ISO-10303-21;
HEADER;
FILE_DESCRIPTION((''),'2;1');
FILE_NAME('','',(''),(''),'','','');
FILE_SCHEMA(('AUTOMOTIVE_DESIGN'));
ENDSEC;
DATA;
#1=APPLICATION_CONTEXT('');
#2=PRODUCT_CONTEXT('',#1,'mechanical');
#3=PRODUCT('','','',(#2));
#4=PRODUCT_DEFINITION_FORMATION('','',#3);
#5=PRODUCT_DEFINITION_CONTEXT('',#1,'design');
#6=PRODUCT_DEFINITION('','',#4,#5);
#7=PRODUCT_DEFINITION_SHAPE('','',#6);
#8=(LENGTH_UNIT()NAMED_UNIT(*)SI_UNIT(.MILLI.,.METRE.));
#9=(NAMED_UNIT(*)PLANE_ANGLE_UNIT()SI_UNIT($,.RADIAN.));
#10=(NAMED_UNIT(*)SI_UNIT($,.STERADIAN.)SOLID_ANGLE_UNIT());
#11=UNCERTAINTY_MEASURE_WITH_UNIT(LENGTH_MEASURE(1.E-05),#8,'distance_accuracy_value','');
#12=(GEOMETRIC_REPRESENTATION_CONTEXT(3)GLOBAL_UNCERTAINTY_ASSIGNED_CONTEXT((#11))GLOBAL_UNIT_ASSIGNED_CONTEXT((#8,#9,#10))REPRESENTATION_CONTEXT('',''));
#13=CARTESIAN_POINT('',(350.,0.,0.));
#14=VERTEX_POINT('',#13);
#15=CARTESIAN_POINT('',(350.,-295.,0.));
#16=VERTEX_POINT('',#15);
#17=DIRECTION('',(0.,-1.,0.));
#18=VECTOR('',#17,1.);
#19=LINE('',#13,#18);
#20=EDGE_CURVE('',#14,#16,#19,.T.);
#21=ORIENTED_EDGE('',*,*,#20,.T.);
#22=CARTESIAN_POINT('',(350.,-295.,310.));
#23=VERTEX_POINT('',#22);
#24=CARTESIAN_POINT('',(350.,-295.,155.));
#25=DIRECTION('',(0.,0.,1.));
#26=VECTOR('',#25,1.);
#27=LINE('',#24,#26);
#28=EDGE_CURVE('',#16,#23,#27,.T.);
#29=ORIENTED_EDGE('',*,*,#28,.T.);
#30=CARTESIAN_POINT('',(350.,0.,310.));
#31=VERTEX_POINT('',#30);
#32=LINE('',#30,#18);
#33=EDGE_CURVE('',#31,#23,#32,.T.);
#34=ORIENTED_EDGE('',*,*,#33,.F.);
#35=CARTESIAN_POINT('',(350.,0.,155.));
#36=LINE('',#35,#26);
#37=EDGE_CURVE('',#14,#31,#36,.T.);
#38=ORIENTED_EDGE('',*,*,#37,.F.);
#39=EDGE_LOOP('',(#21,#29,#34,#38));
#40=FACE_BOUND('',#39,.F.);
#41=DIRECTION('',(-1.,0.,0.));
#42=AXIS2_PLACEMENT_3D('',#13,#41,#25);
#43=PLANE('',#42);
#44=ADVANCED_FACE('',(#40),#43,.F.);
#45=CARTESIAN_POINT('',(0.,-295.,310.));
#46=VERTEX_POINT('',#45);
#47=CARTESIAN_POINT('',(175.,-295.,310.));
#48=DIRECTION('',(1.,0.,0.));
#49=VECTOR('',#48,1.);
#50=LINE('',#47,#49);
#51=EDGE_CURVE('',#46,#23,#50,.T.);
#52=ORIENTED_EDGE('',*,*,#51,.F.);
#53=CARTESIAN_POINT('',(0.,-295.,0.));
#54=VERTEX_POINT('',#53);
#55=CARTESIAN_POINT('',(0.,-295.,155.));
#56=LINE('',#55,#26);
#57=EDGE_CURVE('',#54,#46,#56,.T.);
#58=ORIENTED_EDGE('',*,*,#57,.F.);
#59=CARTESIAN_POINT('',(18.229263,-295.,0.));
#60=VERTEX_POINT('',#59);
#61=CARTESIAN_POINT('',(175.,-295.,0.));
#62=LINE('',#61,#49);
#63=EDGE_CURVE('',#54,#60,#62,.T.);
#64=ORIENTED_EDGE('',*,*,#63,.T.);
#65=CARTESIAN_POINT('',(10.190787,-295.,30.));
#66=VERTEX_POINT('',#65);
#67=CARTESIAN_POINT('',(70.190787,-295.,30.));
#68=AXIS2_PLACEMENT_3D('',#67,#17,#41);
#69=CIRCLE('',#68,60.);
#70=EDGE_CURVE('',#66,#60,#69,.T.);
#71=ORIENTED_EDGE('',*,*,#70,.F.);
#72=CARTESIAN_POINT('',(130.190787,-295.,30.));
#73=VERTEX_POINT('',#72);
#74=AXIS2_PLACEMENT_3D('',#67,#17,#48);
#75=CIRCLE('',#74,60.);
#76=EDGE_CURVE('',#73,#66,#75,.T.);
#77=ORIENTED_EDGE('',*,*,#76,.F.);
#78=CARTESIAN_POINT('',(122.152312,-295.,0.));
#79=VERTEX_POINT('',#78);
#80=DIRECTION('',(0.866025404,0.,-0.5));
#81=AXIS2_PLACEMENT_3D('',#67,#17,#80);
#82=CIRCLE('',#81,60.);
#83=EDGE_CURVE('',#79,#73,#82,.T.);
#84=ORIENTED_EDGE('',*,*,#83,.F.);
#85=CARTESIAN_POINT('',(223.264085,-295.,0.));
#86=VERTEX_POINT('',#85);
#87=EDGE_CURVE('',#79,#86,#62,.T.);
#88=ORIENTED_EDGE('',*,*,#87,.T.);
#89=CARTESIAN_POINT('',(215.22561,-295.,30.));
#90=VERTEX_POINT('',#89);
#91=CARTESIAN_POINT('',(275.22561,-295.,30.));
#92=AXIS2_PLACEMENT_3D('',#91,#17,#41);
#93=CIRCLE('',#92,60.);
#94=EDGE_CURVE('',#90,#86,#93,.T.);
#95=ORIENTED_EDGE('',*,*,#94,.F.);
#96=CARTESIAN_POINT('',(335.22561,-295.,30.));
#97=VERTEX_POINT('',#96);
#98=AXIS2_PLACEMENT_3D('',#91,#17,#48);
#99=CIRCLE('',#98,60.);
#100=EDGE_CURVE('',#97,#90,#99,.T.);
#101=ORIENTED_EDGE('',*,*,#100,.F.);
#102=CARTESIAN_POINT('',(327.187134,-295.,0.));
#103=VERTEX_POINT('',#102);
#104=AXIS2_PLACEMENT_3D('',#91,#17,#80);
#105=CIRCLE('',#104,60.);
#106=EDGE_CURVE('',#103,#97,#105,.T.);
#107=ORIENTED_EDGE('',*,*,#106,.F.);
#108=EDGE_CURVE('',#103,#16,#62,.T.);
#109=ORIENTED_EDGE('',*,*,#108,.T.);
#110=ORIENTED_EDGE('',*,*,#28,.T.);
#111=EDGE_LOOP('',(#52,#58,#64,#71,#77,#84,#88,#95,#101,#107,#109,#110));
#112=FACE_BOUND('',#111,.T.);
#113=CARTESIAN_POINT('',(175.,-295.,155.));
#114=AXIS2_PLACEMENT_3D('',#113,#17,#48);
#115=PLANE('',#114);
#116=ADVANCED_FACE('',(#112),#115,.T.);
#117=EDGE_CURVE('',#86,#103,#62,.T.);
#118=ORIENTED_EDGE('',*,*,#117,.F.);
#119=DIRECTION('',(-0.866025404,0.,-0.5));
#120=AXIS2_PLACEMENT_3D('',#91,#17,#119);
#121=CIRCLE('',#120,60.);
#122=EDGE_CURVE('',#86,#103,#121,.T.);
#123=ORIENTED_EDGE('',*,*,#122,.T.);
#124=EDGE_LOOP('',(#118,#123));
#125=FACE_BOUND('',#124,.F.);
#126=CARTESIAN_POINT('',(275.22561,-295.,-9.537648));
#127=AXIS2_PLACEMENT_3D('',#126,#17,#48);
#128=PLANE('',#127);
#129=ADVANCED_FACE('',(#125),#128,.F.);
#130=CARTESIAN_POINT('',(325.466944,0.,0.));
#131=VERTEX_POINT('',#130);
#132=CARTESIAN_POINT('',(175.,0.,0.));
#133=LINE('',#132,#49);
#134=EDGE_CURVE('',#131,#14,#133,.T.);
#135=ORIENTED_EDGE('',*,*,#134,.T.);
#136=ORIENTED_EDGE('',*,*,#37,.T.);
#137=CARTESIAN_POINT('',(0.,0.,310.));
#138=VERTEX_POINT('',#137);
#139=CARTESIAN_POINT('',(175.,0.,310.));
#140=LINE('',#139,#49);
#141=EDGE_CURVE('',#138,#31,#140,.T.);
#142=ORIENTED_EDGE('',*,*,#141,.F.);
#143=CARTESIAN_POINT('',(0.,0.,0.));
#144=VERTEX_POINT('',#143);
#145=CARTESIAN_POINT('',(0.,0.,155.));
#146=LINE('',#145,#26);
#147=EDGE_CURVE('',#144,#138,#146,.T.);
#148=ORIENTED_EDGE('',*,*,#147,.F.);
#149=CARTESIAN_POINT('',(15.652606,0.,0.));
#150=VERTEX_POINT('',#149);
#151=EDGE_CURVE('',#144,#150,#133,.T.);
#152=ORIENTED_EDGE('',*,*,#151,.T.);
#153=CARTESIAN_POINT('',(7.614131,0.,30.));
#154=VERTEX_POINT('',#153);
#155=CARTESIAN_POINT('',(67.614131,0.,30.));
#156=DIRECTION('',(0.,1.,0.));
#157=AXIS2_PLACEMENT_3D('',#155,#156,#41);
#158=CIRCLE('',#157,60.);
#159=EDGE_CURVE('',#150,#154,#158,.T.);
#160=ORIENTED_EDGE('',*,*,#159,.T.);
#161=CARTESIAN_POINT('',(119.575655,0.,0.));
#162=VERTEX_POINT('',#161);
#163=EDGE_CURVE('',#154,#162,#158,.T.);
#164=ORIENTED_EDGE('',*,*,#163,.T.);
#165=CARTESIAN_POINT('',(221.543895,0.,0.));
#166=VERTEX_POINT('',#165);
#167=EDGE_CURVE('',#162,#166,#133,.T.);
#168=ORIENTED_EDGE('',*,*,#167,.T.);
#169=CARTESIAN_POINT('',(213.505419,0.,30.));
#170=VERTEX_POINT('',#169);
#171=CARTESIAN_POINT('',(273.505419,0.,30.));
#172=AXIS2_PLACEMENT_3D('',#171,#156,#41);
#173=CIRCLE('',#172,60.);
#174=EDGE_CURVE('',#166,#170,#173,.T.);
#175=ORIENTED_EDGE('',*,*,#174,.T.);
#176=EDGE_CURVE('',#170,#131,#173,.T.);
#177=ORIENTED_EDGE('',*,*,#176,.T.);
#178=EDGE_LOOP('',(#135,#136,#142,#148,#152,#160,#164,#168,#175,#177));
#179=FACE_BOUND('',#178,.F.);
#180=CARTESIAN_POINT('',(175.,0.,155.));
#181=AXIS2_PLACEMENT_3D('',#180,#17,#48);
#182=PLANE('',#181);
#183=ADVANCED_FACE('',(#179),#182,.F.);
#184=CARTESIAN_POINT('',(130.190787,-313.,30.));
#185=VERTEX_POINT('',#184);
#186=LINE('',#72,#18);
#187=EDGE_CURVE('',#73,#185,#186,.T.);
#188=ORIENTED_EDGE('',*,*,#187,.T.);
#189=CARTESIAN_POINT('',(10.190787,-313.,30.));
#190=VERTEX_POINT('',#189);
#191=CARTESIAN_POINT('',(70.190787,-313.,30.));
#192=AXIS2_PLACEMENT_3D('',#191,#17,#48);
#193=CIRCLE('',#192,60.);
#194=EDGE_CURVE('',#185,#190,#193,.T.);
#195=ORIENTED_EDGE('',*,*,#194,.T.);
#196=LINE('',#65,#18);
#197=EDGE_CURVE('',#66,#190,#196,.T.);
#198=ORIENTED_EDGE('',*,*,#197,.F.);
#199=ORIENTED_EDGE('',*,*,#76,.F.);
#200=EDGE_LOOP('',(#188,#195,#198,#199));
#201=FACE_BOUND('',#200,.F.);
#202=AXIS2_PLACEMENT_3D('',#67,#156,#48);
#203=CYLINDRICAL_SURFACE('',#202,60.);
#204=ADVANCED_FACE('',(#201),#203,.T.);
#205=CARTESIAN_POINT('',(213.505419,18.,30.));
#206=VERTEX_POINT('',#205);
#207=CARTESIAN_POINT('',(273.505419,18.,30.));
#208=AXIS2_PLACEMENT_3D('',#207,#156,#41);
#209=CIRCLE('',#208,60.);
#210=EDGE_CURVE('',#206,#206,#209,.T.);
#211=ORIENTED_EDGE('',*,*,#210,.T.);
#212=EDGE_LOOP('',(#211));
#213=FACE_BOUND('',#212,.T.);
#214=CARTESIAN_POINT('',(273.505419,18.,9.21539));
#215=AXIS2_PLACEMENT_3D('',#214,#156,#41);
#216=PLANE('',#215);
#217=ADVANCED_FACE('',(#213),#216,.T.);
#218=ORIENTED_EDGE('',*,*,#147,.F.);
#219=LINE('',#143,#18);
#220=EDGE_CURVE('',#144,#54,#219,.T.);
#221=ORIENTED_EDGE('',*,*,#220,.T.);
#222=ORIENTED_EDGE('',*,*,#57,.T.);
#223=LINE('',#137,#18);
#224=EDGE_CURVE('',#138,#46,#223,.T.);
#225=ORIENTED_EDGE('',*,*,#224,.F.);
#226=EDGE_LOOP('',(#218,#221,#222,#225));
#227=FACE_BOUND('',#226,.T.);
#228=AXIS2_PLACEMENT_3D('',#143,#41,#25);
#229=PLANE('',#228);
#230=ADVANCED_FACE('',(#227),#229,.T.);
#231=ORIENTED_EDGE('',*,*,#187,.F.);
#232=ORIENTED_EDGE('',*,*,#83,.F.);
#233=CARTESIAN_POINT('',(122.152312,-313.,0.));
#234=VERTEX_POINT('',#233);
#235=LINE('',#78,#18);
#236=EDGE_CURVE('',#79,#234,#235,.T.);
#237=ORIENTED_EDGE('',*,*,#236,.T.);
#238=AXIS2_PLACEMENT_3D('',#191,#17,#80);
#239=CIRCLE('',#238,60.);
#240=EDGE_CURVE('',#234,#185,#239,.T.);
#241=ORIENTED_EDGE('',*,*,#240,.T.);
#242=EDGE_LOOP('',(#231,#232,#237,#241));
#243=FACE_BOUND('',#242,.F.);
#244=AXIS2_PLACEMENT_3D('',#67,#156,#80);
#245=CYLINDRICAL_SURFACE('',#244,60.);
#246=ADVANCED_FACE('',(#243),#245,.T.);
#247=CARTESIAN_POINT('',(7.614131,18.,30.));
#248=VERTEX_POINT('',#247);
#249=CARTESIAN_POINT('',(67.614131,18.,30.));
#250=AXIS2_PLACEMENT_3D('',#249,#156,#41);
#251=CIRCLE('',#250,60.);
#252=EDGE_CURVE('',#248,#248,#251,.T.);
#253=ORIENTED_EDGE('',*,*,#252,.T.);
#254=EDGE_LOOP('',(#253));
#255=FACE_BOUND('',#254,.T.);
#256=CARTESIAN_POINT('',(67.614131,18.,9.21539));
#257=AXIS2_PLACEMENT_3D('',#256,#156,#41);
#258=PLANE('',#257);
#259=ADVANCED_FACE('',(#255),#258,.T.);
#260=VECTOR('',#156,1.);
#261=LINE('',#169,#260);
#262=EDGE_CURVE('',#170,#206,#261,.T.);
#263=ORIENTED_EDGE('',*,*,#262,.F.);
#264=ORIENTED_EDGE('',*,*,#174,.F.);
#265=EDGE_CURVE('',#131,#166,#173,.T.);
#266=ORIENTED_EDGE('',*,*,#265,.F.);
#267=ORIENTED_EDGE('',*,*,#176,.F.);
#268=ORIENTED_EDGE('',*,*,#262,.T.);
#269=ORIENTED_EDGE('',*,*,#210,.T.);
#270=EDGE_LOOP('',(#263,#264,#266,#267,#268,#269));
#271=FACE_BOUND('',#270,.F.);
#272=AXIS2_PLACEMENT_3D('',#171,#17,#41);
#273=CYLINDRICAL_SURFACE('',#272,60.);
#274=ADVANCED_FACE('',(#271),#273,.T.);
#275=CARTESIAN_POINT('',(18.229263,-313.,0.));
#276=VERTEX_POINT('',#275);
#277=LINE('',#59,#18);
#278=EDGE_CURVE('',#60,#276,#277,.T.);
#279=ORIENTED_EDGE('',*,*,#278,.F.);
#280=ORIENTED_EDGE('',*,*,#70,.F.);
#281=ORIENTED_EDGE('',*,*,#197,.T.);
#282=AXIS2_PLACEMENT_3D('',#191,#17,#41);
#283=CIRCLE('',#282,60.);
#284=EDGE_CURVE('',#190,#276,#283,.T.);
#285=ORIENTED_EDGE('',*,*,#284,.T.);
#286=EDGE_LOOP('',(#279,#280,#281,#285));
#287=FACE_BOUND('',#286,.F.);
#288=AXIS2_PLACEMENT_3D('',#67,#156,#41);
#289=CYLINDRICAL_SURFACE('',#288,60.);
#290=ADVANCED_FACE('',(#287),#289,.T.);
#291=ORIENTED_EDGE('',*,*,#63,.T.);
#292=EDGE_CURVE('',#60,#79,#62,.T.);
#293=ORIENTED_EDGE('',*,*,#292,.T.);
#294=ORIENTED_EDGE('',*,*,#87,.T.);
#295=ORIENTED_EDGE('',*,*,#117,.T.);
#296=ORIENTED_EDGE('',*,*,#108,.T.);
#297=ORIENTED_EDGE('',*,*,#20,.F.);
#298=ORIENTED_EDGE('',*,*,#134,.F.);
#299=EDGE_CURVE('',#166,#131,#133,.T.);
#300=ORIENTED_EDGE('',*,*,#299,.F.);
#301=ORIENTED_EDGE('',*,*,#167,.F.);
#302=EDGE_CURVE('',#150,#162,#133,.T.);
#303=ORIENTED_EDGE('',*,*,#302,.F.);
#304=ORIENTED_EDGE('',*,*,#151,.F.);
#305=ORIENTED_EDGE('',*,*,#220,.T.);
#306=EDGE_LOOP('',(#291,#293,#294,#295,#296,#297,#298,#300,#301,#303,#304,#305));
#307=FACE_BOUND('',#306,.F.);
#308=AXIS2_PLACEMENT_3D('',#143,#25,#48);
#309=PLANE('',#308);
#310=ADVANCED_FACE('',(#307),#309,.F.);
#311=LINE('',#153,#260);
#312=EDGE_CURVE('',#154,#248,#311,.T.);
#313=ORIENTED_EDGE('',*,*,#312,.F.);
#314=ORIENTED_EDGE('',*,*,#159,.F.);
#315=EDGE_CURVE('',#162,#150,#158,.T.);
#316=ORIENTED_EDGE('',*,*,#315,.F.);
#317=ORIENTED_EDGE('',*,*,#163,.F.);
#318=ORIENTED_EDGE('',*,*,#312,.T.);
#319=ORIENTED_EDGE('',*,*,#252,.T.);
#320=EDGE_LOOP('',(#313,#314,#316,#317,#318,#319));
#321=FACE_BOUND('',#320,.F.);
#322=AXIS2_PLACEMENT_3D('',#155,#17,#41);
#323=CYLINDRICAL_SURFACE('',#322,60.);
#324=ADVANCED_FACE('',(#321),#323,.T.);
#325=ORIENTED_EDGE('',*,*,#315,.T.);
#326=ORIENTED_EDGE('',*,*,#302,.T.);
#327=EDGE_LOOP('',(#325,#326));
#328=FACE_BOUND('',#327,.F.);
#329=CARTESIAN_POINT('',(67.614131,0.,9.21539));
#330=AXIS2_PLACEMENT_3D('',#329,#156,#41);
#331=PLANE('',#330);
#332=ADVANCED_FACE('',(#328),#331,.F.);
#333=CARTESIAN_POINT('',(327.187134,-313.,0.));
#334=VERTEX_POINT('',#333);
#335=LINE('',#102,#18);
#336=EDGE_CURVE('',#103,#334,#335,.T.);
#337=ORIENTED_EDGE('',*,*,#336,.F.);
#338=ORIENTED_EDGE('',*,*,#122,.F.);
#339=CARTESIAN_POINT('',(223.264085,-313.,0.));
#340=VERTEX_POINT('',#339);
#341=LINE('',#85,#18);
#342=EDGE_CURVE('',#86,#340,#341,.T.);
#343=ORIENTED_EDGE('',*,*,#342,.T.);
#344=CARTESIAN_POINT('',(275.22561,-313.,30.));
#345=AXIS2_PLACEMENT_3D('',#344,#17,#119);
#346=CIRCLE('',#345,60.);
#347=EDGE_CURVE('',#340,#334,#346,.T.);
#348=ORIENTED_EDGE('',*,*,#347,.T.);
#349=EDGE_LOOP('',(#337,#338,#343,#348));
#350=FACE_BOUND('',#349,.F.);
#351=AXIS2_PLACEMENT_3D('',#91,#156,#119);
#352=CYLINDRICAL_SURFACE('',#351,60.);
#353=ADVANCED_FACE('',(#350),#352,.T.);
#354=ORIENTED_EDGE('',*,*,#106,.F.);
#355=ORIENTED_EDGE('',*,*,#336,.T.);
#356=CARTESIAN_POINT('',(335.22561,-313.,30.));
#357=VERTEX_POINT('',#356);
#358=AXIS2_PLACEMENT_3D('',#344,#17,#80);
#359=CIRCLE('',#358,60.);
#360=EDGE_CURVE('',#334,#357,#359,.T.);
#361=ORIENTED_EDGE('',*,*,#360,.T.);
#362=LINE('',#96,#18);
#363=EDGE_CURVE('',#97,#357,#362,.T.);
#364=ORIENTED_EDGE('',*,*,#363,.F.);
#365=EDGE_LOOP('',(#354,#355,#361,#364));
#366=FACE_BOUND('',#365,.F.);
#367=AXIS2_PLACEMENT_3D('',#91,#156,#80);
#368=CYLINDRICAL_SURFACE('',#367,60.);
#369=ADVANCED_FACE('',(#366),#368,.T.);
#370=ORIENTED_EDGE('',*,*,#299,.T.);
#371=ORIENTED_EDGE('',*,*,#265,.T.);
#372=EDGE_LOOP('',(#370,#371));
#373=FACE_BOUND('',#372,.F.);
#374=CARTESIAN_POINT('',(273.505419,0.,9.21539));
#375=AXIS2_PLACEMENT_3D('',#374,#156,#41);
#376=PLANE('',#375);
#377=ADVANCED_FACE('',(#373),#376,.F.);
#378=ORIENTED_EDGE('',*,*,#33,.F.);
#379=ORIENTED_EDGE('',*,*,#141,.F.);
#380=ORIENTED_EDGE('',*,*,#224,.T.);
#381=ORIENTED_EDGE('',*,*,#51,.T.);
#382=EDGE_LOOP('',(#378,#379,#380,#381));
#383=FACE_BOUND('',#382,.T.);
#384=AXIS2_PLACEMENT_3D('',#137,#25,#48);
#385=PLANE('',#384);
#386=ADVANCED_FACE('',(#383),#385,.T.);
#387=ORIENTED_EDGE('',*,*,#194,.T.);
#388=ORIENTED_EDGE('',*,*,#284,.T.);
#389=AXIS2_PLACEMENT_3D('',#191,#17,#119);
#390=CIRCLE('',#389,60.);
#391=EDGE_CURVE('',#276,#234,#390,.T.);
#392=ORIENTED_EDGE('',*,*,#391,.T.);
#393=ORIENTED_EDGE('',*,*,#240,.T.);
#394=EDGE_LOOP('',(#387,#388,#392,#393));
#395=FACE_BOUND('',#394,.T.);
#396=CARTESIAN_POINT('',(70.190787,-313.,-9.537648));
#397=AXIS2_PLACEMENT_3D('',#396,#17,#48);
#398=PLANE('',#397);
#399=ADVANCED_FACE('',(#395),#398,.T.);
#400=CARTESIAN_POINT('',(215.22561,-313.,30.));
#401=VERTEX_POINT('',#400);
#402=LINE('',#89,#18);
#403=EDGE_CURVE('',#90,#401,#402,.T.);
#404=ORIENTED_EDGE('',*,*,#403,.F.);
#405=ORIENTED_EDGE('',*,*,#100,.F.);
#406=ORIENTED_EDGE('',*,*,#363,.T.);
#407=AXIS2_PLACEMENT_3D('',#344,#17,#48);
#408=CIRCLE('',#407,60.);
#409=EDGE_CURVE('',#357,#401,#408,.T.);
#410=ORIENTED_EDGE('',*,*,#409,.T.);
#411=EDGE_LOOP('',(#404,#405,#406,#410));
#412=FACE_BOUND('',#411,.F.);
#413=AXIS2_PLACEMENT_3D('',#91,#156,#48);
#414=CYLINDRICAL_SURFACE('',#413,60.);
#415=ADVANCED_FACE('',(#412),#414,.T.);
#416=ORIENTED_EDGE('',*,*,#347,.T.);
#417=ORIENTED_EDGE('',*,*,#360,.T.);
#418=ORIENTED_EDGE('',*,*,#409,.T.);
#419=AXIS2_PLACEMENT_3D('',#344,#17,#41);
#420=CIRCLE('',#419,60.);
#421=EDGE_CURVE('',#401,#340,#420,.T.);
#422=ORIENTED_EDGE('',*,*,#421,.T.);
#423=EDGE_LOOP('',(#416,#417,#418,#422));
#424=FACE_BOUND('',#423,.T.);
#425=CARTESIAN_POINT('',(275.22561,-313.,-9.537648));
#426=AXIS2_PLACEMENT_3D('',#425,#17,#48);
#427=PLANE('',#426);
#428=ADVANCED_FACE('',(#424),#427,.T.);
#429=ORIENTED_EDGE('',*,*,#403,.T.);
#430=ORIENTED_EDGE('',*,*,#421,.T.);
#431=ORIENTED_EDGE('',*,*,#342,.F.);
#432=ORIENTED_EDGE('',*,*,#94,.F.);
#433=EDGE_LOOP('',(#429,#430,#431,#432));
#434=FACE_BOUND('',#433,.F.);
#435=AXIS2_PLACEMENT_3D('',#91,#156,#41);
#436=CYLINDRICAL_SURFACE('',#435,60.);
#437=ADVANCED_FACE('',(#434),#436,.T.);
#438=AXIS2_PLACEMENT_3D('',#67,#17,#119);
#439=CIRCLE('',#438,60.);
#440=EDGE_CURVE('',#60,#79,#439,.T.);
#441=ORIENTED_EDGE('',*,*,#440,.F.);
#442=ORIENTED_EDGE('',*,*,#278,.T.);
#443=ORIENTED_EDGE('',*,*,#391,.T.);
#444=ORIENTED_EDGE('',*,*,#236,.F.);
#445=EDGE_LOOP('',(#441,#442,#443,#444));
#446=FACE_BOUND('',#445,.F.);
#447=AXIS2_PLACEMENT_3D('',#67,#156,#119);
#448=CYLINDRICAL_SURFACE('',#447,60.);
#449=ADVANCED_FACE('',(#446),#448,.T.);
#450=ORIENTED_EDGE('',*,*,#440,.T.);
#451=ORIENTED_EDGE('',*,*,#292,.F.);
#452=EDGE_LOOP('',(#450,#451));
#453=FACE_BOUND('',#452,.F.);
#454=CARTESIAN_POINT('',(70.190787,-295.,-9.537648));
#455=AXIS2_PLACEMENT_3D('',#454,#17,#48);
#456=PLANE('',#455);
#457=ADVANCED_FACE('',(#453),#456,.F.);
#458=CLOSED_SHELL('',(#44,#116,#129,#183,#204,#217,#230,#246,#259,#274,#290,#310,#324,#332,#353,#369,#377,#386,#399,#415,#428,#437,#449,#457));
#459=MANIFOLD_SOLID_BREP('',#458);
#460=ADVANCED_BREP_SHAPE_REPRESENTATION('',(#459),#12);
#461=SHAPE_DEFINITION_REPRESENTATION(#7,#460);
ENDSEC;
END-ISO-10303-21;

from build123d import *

# Parameters (mm, degrees)
F0_W     = 350
F0_H     = 310
F1_DEPTH = 295
F3_DEPTH = 18
F5_DEPTH = 18


with BuildPart() as f1:
    # F0 (on Front) → F1 (new body)
    with BuildSketch(Plane.XZ):
        with Locations((175, 155)):
            Rectangle(F0_W, F0_H)
    extrude(amount=F1_DEPTH)

    # F2 (on face) → F3 (join)
    with BuildSketch(Plane.XZ.offset(295)):
        with BuildLine():
            ThreePointArc((18.2292630883, 0), (70.1907873154, -30), (122.1523115424, 0))
            Line((122.1523115424, 0), (18.2292630883, 0))
        make_face()
        with BuildLine():
            ThreePointArc((223.2640853139, 0), (275.2256095409, -30), (327.187133768, 0))
            Line((327.187133768, 0), (223.2640853139, 0))
        make_face()
        with BuildLine():
            ThreePointArc((122.1523115424, 0), (128.1463368927, 14.4708572938), (130.1907873154, 30))
            Line((130.1907873154, 30), (10.1907873154, 30))
            ThreePointArc((10.1907873154, 30), (12.235237738, 14.4708572938), (18.2292630883, 0))
            Line((18.2292630883, 0), (122.1523115424, 0))
        make_face()
        with BuildLine():
            ThreePointArc((327.187133768, 0), (333.1811591183, 14.4708572938), (335.2256095409, 30))
            Line((335.2256095409, 30), (215.2256095409, 30))
            ThreePointArc((215.2256095409, 30), (217.2700599636, 14.4708572938), (223.2640853139, 0))
            Line((223.2640853139, 0), (327.187133768, 0))
        make_face()
        with BuildLine():
            Line((10.1907873154, 30), (130.1907873154, 30))
            ThreePointArc((130.1907873154, 30), (70.1907873154, 90), (10.1907873154, 30))
        make_face()
        with BuildLine():
            Line((215.2256095409, 30), (335.2256095409, 30))
            ThreePointArc((335.2256095409, 30), (275.2256095409, 90), (215.2256095409, 30))
        make_face()
    extrude(amount=F3_DEPTH)

    # F4 (on face) → F5 (join)
    with BuildSketch(Plane(origin=(0, 0, 0), x_dir=(-1, 0, 0), z_dir=(0, 1, 0))):
        with BuildLine():
            ThreePointArc((-127.6141306758, 30), (-67.6141306758, -30), (-7.6141306758, 30))
            Line((-7.6141306758, 30), (-127.6141306758, 30))
        make_face()
        with BuildLine():
            Line((-127.6141306758, 30), (-7.6141306758, 30))
            ThreePointArc((-7.6141306758, 30), (-67.6141306758, 90), (-127.6141306758, 30))
        make_face()
        with BuildLine():
            ThreePointArc((-333.5054194927, 30), (-273.5054194927, -30), (-213.5054194927, 30))
            Line((-213.5054194927, 30), (-333.5054194927, 30))
        make_face()
        with BuildLine():
            Line((-333.5054194927, 30), (-213.5054194927, 30))
            ThreePointArc((-213.5054194927, 30), (-273.5054194927, 90), (-333.5054194927, 30))
        make_face()
    extrude(amount=F5_DEPTH)


solid = f1.part
